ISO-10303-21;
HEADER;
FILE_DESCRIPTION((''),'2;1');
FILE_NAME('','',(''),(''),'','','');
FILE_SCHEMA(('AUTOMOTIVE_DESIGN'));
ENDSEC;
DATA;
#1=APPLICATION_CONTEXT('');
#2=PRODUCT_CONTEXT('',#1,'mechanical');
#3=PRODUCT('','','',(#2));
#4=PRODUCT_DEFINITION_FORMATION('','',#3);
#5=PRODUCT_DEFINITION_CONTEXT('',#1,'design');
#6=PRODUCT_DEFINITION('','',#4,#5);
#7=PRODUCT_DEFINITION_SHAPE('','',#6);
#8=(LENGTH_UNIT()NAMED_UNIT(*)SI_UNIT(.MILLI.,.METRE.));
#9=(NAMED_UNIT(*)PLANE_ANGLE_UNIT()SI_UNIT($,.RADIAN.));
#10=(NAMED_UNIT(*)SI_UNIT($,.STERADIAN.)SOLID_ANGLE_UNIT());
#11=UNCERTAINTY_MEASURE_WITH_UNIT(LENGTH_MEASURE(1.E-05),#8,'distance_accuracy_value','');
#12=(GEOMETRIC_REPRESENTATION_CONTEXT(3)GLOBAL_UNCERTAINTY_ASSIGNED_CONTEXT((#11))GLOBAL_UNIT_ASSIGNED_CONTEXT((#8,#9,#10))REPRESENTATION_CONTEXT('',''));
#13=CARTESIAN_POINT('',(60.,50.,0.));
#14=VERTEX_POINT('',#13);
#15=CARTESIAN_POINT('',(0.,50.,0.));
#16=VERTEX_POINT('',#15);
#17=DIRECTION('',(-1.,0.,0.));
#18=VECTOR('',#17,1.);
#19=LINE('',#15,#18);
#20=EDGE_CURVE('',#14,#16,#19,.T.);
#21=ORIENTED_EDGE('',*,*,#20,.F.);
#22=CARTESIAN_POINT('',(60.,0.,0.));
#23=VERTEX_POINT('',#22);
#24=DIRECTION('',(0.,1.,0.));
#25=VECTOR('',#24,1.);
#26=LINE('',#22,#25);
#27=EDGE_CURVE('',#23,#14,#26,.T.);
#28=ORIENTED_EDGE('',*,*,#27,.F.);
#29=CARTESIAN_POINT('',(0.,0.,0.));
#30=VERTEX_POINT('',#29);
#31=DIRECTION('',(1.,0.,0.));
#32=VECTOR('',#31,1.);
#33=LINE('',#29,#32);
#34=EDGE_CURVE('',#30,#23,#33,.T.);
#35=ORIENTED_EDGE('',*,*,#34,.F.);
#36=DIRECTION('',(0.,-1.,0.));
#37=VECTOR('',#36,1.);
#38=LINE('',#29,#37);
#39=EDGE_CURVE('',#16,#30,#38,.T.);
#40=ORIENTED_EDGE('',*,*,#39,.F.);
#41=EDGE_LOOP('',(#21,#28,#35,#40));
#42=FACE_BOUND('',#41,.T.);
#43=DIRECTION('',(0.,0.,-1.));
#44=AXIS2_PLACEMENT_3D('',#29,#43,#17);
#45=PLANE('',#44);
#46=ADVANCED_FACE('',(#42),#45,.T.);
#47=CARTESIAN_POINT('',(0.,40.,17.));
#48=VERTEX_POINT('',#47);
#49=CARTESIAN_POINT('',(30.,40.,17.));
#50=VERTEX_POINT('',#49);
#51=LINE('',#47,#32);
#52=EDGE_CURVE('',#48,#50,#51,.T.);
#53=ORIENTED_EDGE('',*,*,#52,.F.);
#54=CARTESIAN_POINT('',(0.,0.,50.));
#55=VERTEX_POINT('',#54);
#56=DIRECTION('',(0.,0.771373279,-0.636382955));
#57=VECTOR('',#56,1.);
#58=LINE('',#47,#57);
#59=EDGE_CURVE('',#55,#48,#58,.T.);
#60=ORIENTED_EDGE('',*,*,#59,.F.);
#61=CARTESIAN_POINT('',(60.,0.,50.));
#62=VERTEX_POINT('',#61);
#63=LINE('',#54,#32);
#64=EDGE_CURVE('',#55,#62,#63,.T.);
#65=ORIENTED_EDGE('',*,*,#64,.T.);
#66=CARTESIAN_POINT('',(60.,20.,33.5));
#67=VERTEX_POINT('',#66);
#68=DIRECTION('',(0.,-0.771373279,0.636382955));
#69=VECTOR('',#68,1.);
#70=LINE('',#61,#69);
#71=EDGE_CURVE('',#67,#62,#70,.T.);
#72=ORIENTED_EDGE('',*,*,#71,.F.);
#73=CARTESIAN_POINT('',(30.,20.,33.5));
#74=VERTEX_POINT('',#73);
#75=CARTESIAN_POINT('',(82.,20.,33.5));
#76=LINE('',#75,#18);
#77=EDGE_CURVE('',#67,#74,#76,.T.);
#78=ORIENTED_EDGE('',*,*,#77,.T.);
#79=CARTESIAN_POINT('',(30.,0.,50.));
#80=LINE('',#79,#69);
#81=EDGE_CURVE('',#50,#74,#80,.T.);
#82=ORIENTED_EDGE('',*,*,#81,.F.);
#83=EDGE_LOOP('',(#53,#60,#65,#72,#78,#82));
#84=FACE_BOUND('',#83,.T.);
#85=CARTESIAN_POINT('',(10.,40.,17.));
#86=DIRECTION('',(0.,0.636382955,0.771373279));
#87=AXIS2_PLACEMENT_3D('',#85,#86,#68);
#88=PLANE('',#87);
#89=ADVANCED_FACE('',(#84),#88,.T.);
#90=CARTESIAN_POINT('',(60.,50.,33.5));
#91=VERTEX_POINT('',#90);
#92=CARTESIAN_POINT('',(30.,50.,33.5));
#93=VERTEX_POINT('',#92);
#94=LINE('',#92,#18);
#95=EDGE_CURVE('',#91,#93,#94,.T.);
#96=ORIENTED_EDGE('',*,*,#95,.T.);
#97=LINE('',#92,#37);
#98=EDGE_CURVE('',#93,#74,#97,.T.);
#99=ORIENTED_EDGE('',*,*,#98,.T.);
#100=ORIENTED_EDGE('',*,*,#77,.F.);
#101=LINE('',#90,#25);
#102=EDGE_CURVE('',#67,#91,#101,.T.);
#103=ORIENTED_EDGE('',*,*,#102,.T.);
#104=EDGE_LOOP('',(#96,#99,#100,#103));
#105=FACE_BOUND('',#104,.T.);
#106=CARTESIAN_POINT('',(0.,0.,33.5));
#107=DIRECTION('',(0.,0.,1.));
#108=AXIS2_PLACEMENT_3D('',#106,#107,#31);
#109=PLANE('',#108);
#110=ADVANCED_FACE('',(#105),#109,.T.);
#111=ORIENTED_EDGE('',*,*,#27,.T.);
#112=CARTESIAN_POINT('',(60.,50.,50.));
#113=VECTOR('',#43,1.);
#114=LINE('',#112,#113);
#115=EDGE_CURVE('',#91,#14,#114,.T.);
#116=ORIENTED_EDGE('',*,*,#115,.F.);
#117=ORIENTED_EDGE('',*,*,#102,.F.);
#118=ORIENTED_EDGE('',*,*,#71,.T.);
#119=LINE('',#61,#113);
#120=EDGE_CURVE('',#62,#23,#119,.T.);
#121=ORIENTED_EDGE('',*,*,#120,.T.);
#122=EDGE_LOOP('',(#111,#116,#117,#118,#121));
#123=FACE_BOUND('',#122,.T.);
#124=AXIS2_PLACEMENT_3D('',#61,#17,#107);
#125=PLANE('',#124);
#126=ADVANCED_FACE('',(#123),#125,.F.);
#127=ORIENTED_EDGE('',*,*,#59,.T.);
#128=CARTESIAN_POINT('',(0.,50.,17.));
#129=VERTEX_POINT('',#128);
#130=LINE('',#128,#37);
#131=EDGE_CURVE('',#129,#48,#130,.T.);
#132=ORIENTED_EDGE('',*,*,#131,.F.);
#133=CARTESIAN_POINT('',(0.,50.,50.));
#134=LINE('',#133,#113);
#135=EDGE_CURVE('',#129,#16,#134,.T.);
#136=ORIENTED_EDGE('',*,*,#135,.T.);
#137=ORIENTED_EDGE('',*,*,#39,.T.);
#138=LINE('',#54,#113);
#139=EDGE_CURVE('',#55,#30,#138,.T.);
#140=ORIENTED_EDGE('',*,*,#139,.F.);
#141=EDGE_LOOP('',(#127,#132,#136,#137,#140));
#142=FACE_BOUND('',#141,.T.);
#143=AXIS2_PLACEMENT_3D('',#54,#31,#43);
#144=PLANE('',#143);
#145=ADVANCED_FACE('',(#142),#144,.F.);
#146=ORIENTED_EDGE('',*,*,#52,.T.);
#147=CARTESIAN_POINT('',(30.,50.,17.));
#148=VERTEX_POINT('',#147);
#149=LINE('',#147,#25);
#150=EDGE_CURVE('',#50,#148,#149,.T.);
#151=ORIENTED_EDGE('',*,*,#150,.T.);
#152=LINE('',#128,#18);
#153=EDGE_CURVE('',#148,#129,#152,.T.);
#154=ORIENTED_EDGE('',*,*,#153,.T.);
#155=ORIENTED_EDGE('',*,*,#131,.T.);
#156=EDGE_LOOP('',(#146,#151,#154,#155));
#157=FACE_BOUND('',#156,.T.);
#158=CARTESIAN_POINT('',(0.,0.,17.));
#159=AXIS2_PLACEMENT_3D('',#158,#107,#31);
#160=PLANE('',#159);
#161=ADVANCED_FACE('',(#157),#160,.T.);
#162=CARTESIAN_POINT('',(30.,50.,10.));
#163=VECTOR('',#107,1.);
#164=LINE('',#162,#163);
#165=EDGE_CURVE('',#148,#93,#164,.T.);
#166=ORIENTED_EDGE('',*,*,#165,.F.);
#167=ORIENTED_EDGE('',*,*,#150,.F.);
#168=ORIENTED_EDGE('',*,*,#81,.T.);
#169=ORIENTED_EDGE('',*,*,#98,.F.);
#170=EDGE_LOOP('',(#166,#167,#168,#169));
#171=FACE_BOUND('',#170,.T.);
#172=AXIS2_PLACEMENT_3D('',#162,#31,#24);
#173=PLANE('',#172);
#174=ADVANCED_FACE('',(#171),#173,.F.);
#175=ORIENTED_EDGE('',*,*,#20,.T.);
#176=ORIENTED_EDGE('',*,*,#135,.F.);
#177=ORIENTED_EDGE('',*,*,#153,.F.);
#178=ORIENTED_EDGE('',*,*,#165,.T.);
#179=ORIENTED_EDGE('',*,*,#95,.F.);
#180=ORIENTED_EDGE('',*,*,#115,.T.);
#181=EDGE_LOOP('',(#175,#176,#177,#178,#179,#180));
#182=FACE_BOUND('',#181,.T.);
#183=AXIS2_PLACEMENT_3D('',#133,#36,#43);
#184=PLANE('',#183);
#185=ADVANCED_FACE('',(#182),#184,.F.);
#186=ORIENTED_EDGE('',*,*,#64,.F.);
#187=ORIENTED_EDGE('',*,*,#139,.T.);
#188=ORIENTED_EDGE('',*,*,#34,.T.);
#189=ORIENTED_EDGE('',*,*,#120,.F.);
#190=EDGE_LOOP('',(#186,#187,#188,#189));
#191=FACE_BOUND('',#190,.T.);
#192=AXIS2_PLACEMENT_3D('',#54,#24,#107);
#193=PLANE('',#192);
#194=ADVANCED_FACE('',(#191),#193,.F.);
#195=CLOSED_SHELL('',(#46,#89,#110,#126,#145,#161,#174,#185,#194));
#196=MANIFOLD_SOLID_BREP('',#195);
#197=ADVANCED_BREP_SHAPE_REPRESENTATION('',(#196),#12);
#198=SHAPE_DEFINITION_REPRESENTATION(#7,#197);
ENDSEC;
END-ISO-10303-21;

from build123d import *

# Parameters (mm, degrees)
SKETCH1_W           = 60
SKETCH1_H           = 50
BOSS_EXTRUDE1_DEPTH = 50
SKETCH2_W           = 30
SKETCH2_H           = 10
CUT_EXTRUDE1_DEPTH  = 40
SKETCH3_W           = 30
SKETCH3_H           = 30
CUT_EXTRUDE2_DEPTH  = 30
SKETCH4_W           = 30
SKETCH4_H           = 10
BOSS_EXTRUDE2_DEPTH = 7
SKETCH5_W           = 30
SKETCH5_H           = 30
BOSS_EXTRUDE3_DEPTH = 12
CUT_EXTRUDE6_DEPTH  = 10
CUT_EXTRUDE7_DEPTH  = 20
CUT_EXTRUDE8_DEPTH  = 52
SKETCH13_W          = 30
SKETCH13_H          = 30
BOSS_EXTRUDE4_DEPTH = 1.5


with BuildPart() as part:
    # Sketch1 → Boss-Extrude1 (new body)
    with BuildSketch(Plane.XY):
        with Locations((30, 25)):
            Rectangle(SKETCH1_W, SKETCH1_H)
    extrude(amount=BOSS_EXTRUDE1_DEPTH)

    # Sketch2 → Cut-Extrude1 (cut)
    with BuildSketch(Plane.XY.offset(50)):
        with Locations((15, 45)):
            Rectangle(SKETCH2_W, SKETCH2_H)
    extrude(amount=-CUT_EXTRUDE1_DEPTH, mode=Mode.SUBTRACT)

    # Sketch3 → Cut-Extrude2 (cut)
    with BuildSketch(Plane.XY.offset(50)):
        with Locations((45, 35)):
            Rectangle(SKETCH3_W, SKETCH3_H)
    extrude(amount=-CUT_EXTRUDE2_DEPTH, mode=Mode.SUBTRACT)

    # Sketch4 → Boss-Extrude2 (add)
    with BuildSketch(Plane.XY.offset(10)):
        with Locations((15, 45)):
            Rectangle(SKETCH4_W, SKETCH4_H)
    extrude(amount=BOSS_EXTRUDE2_DEPTH)

    # Sketch5 → Boss-Extrude3 (add)
    with BuildSketch(Plane.XY.offset(20)):
        with Locations((45, 35)):
            Rectangle(SKETCH5_W, SKETCH5_H)
    extrude(amount=BOSS_EXTRUDE3_DEPTH)

    # Sketch10 → Cut-Extrude6 (cut)
    with BuildSketch(Plane(origin=(0, 0, 0), x_dir=(0, 0, -1), z_dir=(1, 0, 0))):
        Polygon((-17, 40), (-50, 0), (-50, 40), align=None)
    extrude(amount=CUT_EXTRUDE6_DEPTH, mode=Mode.SUBTRACT)

    # Sketch11 → Cut-Extrude7 (cut)
    with BuildSketch(Plane.ZY.offset(-10)):
        Polygon((17, 40), (50, 40), (50, 0), align=None)
    extrude(amount=-CUT_EXTRUDE7_DEPTH, mode=Mode.SUBTRACT)

    # Sketch12 → Cut-Extrude8 (cut)
    with BuildSketch(Plane.ZY.offset(-30)):
        Polygon((33.5, 20), (50, 0), (50, 20), align=None)
    extrude(amount=-CUT_EXTRUDE8_DEPTH, mode=Mode.SUBTRACT)

    # Sketch13 → Boss-Extrude4 (add)
    with BuildSketch(Plane.XY.offset(32)):
        with Locations((45, 35)):
            Rectangle(SKETCH13_W, SKETCH13_H)
    extrude(amount=BOSS_EXTRUDE4_DEPTH)


solid = part.part
